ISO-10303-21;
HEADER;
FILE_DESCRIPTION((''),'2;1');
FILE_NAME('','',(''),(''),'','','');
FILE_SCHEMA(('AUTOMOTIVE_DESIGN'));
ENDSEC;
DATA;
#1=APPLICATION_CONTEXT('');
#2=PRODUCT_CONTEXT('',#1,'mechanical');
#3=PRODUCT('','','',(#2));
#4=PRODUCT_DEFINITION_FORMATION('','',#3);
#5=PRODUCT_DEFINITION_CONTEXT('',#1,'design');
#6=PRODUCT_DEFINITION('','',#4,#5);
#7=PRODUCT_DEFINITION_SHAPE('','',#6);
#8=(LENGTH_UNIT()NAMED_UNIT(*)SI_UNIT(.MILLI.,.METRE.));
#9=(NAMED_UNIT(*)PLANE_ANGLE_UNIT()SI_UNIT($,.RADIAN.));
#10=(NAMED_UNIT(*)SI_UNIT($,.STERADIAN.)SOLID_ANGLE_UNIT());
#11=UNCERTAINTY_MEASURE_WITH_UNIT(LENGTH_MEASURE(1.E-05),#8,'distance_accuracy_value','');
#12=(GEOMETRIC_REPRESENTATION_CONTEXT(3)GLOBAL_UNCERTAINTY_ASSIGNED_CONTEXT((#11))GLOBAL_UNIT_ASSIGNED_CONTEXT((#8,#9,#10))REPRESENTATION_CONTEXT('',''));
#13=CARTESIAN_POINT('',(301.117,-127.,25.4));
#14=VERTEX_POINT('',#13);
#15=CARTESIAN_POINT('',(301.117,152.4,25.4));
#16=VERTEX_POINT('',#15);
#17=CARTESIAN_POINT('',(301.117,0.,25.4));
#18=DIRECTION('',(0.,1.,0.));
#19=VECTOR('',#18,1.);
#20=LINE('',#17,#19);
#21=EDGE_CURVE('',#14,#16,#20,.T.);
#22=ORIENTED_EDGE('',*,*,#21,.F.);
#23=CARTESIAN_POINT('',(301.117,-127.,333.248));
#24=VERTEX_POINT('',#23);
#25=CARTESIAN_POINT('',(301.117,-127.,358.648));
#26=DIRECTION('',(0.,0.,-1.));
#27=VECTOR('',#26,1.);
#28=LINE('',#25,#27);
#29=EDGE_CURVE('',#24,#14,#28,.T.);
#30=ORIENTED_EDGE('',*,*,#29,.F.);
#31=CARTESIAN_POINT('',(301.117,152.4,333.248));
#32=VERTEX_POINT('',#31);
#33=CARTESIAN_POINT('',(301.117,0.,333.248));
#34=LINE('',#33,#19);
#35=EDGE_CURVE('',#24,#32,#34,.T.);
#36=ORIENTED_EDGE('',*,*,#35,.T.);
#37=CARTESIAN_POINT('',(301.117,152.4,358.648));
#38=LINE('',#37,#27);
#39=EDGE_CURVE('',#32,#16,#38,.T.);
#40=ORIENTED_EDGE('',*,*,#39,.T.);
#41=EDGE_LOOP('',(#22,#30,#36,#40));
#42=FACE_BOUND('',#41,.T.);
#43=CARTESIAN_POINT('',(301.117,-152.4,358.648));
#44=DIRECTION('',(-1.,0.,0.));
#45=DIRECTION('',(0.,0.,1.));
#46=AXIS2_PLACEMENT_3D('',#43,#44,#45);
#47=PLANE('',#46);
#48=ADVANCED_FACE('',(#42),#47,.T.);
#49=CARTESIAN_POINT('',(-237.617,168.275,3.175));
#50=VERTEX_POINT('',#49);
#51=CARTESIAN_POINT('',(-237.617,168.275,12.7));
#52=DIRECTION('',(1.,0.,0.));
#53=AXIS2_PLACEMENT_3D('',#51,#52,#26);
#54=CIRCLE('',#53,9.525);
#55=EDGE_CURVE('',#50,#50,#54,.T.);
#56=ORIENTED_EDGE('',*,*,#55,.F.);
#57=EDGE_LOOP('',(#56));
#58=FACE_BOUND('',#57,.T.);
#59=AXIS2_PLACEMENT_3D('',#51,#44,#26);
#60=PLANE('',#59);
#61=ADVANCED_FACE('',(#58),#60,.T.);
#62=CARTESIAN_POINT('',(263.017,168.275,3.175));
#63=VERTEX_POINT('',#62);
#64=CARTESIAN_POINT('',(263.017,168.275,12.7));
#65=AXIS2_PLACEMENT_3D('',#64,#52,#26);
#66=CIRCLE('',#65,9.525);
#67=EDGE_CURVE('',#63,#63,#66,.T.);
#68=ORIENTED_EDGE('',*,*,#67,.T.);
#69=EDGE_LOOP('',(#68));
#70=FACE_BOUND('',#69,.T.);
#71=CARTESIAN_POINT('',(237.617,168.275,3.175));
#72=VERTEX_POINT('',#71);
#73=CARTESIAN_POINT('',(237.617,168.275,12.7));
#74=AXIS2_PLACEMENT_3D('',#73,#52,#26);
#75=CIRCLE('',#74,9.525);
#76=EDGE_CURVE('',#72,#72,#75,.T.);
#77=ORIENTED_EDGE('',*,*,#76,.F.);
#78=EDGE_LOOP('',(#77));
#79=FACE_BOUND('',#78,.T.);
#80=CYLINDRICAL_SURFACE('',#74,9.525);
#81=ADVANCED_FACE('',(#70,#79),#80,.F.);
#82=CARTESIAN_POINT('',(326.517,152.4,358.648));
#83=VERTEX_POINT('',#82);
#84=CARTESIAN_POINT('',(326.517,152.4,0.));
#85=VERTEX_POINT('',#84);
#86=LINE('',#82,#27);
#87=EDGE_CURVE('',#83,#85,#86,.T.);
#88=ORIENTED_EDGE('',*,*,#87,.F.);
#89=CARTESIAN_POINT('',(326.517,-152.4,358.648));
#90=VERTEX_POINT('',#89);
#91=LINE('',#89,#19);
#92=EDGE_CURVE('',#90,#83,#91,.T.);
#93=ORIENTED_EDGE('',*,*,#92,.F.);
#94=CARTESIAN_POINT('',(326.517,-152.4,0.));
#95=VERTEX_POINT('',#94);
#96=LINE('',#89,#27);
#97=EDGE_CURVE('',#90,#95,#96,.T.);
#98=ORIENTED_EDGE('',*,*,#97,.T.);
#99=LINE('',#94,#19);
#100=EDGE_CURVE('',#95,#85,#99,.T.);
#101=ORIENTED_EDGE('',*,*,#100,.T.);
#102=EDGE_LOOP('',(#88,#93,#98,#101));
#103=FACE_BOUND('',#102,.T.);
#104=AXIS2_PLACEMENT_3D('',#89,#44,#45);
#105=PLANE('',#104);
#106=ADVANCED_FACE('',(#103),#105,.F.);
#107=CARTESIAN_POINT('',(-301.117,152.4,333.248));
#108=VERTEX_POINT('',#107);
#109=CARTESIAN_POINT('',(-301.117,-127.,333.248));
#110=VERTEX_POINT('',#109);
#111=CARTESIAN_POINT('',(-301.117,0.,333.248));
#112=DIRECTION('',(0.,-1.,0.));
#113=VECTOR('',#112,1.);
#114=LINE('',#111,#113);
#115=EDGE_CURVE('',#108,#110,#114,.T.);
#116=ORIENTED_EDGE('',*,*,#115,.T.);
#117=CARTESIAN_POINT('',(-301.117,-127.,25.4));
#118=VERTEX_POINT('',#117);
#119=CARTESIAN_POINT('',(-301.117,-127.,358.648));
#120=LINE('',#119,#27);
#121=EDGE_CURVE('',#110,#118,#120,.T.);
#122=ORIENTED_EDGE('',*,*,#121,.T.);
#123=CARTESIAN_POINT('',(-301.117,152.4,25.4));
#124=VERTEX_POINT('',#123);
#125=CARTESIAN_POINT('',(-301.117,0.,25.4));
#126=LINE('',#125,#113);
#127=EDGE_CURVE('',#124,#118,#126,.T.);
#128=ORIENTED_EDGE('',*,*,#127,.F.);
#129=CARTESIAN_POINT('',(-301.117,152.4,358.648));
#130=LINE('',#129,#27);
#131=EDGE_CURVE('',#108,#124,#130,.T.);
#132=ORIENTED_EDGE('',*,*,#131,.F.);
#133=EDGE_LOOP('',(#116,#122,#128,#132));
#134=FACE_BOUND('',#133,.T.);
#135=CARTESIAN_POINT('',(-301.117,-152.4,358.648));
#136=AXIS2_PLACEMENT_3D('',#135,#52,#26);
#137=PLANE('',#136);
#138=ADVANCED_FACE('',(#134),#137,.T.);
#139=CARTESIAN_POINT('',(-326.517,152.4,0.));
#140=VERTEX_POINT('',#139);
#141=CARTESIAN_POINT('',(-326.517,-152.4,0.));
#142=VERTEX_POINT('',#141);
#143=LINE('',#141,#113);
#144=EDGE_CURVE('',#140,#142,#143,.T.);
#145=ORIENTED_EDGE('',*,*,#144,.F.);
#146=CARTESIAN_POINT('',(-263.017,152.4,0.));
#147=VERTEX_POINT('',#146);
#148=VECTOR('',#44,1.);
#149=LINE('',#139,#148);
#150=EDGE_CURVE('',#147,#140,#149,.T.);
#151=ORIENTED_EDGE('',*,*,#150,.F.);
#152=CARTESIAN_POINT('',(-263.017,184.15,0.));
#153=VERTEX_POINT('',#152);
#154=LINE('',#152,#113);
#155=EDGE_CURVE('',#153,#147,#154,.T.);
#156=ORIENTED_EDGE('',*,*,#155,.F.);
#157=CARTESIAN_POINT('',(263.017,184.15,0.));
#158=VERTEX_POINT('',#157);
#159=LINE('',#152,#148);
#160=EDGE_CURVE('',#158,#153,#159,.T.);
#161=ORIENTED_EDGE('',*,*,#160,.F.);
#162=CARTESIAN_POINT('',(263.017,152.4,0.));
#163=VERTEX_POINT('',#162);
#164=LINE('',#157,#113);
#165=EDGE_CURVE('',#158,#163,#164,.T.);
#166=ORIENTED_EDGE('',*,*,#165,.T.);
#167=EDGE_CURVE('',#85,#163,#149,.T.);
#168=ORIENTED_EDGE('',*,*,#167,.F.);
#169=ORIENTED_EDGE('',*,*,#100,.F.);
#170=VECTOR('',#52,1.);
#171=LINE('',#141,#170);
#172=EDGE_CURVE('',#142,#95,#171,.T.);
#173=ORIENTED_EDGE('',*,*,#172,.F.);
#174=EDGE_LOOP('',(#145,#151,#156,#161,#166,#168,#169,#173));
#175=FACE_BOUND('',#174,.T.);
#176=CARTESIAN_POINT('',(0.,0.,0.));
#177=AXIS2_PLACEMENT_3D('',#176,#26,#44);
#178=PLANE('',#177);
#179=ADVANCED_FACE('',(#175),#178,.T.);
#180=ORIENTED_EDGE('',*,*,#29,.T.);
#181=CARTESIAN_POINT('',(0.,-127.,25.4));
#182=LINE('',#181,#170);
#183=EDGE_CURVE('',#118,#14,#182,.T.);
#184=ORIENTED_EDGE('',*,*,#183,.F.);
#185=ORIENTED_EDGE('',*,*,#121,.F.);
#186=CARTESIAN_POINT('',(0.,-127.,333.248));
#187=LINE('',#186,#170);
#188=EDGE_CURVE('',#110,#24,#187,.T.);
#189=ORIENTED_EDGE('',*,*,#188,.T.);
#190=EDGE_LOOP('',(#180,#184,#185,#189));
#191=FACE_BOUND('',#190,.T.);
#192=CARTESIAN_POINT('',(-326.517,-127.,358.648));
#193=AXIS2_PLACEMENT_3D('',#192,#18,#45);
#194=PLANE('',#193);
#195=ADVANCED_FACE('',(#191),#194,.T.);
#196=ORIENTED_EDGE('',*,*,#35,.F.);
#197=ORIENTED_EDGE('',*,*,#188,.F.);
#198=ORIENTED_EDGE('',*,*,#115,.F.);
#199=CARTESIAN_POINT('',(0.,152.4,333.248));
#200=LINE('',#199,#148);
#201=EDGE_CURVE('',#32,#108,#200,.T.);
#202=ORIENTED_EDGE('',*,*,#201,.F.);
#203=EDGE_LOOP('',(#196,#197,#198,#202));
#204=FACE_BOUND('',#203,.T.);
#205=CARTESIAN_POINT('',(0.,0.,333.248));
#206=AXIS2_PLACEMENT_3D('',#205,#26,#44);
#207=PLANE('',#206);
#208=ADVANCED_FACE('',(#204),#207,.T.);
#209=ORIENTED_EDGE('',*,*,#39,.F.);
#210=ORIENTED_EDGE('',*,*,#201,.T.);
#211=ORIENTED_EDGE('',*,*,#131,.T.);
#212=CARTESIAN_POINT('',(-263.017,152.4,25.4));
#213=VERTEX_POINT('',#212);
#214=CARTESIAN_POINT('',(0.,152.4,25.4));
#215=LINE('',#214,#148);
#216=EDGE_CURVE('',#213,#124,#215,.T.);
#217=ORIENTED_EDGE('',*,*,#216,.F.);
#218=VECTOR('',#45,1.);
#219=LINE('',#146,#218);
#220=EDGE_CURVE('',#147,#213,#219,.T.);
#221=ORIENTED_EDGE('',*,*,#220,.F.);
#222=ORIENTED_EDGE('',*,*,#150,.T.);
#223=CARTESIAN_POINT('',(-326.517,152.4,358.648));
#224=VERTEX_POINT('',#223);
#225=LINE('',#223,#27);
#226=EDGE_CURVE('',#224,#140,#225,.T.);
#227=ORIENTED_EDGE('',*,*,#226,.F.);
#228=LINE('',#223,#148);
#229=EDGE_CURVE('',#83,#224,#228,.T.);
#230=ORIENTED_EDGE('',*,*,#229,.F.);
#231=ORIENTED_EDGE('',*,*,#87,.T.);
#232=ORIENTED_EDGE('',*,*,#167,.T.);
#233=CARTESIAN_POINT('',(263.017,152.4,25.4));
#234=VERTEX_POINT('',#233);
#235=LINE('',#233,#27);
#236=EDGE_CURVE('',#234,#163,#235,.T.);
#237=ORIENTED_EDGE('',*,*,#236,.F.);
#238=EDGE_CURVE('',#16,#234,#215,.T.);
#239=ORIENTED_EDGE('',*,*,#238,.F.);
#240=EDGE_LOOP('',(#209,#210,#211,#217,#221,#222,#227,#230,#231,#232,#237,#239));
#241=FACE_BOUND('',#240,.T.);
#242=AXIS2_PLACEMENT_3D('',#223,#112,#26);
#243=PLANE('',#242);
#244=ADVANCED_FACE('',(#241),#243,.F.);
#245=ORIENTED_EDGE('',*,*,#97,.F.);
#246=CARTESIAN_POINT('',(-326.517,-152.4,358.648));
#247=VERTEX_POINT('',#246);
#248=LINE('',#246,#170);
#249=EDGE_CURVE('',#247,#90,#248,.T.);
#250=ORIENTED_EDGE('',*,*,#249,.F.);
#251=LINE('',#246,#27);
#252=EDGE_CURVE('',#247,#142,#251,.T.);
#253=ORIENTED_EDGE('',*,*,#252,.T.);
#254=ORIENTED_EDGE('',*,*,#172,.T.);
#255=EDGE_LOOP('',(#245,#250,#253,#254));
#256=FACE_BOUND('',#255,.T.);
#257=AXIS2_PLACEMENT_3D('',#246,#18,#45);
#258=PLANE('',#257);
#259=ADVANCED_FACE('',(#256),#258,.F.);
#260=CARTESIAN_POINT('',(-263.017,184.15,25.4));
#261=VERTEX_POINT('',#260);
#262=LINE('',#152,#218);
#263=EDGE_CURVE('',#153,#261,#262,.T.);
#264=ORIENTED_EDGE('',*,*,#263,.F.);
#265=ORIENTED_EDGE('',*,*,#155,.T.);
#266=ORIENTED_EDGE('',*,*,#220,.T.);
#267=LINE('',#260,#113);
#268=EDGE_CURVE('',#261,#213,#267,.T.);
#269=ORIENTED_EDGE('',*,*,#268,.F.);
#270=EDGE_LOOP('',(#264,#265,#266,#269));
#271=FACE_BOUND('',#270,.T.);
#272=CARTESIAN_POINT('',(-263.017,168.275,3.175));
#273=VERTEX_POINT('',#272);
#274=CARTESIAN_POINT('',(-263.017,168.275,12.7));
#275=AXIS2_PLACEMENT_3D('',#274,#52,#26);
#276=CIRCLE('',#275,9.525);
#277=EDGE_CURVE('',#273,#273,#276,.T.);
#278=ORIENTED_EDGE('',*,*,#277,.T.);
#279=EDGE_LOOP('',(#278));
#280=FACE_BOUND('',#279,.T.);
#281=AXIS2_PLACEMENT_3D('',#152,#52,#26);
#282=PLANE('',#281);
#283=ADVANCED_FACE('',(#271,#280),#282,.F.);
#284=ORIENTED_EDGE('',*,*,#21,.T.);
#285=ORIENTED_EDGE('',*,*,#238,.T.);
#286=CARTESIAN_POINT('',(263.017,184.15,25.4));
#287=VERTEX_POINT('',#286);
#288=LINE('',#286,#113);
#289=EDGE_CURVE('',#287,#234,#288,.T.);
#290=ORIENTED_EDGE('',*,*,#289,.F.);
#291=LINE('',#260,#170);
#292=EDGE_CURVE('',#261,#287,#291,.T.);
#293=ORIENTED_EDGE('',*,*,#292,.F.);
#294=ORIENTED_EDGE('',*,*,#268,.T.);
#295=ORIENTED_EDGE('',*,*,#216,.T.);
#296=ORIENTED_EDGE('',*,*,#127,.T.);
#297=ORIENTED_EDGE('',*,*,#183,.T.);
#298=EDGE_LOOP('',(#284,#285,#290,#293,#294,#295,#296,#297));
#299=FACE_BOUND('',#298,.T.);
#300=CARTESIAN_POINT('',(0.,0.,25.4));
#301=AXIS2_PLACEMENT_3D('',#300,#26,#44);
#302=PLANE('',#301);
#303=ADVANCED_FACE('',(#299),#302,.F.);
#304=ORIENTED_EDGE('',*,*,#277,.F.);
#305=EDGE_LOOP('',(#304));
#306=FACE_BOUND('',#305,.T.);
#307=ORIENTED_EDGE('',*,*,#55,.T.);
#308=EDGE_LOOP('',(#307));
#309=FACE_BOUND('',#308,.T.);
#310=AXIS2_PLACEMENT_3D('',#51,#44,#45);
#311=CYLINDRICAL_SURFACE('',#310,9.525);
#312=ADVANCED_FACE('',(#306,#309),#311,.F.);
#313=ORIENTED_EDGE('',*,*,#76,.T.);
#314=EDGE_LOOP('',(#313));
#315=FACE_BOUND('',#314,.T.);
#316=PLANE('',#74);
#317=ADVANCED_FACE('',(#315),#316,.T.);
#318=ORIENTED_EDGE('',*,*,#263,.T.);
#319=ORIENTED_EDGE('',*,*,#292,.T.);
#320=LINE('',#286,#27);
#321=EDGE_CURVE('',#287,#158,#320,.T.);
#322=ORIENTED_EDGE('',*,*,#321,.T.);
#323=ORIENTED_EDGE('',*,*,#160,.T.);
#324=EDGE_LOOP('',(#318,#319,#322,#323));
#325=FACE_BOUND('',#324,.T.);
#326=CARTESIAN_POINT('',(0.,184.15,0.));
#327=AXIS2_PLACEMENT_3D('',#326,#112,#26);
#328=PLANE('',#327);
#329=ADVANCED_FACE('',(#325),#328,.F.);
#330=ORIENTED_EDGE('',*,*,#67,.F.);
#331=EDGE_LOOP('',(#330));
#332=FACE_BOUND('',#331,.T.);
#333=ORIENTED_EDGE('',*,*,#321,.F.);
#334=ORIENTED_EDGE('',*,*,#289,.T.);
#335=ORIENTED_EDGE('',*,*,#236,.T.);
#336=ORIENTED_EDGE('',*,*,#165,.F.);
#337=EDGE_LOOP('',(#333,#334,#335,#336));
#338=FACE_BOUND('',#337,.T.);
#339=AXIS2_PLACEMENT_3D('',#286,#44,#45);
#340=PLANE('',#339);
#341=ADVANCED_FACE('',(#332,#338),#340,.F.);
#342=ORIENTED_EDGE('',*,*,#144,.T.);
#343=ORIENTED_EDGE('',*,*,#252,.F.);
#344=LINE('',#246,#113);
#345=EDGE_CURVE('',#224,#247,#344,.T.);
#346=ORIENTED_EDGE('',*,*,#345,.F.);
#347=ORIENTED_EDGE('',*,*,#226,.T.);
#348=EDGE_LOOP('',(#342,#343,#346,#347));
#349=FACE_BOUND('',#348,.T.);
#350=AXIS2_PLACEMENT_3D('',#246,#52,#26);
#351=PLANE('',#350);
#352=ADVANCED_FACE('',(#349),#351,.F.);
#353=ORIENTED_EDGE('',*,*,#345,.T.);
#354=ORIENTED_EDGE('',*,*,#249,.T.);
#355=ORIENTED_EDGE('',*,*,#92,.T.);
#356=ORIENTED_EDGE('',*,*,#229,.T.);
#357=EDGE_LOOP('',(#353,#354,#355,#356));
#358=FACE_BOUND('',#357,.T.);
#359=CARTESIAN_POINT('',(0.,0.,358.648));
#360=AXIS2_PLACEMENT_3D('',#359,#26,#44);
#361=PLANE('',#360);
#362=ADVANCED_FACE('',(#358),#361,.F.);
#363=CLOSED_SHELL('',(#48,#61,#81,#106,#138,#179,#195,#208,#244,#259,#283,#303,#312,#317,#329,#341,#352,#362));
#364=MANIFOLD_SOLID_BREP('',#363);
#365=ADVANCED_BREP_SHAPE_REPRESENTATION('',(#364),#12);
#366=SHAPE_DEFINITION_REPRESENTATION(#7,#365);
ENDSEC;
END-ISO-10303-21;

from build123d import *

# Parameters (mm, degrees)
SKETCH1_W           = 653.034
SKETCH1_H           = 304.8
BOSS_EXTRUDE1_DEPTH = 358.648
SHELL1_T            = -25.4
SKETCH2_W           = 526.034
SKETCH2_H           = 25.4
BOSS_EXTRUDE2_DEPTH = 31.75
SKETCH5_R           = 9.525
CUT_EXTRUDE2_DEPTH  = 25.4


with BuildPart() as part:
    # Sketch1 → Boss-Extrude1 (new body)
    with BuildSketch(Plane.XY):
        Rectangle(SKETCH1_W, SKETCH1_H)
    extrude(amount=BOSS_EXTRUDE1_DEPTH)

    # Shell1
    shell1_openings = [part.faces().sort_by_distance(p)[0] for p in [
        (0, 152.4, 179.324),
    ]]
    offset(amount=SHELL1_T, openings=shell1_openings, kind=Kind.INTERSECTION)

    # Sketch2 → Boss-Extrude2 (add)
    with BuildSketch(Plane(origin=(0, 152.4, 0), x_dir=(1, 0, 0), z_dir=(0, 1, 0))):
        with Locations((0, -12.7)):
            Rectangle(SKETCH2_W, SKETCH2_H)
    extrude(amount=BOSS_EXTRUDE2_DEPTH)

    # Sketch5 → Cut-Extrude2 (cut)
    with BuildSketch(Plane(origin=(263.017, 0, 0), x_dir=(0, 0, -1), z_dir=(1, 0, 0))):
        with Locations((-12.7, 168.275)):
            Circle(SKETCH5_R)
    cut_extrude2 = extrude(amount=-CUT_EXTRUDE2_DEPTH, mode=Mode.SUBTRACT)

    # Mirror2: Cut-Extrude2 across plane
    add(cut_extrude2.mirror(Plane(origin=(0, 0, 0), x_dir=(0, 0, 1), z_dir=(1, 0, 0))), mode=Mode.SUBTRACT)


solid = part.part
